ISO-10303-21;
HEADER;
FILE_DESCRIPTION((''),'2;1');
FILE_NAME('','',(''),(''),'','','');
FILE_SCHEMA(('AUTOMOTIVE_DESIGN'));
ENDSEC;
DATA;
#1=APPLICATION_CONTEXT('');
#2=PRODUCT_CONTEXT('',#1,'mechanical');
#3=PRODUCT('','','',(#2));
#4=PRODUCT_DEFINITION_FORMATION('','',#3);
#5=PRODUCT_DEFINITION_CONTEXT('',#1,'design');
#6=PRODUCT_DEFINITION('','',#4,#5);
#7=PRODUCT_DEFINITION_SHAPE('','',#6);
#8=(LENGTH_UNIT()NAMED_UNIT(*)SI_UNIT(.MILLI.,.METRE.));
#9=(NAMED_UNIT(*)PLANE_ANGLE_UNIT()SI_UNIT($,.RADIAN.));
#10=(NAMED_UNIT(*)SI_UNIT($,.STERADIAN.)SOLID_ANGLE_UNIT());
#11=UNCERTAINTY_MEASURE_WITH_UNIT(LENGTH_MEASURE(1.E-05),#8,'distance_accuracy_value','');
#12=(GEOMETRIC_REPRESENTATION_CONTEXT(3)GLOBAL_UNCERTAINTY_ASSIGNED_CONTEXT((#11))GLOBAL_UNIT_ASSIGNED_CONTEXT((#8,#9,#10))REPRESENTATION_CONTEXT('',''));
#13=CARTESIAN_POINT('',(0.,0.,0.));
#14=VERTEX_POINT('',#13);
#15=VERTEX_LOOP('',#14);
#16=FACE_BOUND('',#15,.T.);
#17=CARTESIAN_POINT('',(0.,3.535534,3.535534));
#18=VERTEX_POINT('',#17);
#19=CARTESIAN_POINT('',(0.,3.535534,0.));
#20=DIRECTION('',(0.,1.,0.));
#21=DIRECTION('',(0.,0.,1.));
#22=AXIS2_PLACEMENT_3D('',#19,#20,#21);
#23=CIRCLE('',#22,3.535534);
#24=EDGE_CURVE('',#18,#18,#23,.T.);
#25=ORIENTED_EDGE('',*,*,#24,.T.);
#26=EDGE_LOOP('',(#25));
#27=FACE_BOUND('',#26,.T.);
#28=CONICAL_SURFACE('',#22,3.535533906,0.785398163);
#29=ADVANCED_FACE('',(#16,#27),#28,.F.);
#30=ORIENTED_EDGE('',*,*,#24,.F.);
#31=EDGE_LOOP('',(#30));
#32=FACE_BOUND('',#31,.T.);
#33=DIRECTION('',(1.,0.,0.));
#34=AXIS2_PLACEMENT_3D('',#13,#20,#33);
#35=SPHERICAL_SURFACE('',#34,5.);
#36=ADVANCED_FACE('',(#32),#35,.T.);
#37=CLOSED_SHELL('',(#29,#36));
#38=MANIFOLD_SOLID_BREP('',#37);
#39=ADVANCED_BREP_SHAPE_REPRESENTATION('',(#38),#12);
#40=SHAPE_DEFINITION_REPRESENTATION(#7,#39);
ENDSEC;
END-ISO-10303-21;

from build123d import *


with BuildPart() as part:
    # Sketch1 → Revolve1 (revolve)
    with BuildSketch(Plane.XY, mode=Mode.PRIVATE) as revolve1_sk:
        with BuildLine():
            Line((0, 0), (0, -5))
            ThreePointArc((0, -5), (4.619397663, -1.913417162), (3.535533906, 3.535533906))
            Line((3.535533906, 3.535533906), (0, 0))
        make_face()
    revolve(revolve1_sk.sketch.rotate(Axis((0, 0, 0), (0, -1, 0)), 90), axis=Axis((0, 0, 0), (0, -1, 0)))


solid = part.part
